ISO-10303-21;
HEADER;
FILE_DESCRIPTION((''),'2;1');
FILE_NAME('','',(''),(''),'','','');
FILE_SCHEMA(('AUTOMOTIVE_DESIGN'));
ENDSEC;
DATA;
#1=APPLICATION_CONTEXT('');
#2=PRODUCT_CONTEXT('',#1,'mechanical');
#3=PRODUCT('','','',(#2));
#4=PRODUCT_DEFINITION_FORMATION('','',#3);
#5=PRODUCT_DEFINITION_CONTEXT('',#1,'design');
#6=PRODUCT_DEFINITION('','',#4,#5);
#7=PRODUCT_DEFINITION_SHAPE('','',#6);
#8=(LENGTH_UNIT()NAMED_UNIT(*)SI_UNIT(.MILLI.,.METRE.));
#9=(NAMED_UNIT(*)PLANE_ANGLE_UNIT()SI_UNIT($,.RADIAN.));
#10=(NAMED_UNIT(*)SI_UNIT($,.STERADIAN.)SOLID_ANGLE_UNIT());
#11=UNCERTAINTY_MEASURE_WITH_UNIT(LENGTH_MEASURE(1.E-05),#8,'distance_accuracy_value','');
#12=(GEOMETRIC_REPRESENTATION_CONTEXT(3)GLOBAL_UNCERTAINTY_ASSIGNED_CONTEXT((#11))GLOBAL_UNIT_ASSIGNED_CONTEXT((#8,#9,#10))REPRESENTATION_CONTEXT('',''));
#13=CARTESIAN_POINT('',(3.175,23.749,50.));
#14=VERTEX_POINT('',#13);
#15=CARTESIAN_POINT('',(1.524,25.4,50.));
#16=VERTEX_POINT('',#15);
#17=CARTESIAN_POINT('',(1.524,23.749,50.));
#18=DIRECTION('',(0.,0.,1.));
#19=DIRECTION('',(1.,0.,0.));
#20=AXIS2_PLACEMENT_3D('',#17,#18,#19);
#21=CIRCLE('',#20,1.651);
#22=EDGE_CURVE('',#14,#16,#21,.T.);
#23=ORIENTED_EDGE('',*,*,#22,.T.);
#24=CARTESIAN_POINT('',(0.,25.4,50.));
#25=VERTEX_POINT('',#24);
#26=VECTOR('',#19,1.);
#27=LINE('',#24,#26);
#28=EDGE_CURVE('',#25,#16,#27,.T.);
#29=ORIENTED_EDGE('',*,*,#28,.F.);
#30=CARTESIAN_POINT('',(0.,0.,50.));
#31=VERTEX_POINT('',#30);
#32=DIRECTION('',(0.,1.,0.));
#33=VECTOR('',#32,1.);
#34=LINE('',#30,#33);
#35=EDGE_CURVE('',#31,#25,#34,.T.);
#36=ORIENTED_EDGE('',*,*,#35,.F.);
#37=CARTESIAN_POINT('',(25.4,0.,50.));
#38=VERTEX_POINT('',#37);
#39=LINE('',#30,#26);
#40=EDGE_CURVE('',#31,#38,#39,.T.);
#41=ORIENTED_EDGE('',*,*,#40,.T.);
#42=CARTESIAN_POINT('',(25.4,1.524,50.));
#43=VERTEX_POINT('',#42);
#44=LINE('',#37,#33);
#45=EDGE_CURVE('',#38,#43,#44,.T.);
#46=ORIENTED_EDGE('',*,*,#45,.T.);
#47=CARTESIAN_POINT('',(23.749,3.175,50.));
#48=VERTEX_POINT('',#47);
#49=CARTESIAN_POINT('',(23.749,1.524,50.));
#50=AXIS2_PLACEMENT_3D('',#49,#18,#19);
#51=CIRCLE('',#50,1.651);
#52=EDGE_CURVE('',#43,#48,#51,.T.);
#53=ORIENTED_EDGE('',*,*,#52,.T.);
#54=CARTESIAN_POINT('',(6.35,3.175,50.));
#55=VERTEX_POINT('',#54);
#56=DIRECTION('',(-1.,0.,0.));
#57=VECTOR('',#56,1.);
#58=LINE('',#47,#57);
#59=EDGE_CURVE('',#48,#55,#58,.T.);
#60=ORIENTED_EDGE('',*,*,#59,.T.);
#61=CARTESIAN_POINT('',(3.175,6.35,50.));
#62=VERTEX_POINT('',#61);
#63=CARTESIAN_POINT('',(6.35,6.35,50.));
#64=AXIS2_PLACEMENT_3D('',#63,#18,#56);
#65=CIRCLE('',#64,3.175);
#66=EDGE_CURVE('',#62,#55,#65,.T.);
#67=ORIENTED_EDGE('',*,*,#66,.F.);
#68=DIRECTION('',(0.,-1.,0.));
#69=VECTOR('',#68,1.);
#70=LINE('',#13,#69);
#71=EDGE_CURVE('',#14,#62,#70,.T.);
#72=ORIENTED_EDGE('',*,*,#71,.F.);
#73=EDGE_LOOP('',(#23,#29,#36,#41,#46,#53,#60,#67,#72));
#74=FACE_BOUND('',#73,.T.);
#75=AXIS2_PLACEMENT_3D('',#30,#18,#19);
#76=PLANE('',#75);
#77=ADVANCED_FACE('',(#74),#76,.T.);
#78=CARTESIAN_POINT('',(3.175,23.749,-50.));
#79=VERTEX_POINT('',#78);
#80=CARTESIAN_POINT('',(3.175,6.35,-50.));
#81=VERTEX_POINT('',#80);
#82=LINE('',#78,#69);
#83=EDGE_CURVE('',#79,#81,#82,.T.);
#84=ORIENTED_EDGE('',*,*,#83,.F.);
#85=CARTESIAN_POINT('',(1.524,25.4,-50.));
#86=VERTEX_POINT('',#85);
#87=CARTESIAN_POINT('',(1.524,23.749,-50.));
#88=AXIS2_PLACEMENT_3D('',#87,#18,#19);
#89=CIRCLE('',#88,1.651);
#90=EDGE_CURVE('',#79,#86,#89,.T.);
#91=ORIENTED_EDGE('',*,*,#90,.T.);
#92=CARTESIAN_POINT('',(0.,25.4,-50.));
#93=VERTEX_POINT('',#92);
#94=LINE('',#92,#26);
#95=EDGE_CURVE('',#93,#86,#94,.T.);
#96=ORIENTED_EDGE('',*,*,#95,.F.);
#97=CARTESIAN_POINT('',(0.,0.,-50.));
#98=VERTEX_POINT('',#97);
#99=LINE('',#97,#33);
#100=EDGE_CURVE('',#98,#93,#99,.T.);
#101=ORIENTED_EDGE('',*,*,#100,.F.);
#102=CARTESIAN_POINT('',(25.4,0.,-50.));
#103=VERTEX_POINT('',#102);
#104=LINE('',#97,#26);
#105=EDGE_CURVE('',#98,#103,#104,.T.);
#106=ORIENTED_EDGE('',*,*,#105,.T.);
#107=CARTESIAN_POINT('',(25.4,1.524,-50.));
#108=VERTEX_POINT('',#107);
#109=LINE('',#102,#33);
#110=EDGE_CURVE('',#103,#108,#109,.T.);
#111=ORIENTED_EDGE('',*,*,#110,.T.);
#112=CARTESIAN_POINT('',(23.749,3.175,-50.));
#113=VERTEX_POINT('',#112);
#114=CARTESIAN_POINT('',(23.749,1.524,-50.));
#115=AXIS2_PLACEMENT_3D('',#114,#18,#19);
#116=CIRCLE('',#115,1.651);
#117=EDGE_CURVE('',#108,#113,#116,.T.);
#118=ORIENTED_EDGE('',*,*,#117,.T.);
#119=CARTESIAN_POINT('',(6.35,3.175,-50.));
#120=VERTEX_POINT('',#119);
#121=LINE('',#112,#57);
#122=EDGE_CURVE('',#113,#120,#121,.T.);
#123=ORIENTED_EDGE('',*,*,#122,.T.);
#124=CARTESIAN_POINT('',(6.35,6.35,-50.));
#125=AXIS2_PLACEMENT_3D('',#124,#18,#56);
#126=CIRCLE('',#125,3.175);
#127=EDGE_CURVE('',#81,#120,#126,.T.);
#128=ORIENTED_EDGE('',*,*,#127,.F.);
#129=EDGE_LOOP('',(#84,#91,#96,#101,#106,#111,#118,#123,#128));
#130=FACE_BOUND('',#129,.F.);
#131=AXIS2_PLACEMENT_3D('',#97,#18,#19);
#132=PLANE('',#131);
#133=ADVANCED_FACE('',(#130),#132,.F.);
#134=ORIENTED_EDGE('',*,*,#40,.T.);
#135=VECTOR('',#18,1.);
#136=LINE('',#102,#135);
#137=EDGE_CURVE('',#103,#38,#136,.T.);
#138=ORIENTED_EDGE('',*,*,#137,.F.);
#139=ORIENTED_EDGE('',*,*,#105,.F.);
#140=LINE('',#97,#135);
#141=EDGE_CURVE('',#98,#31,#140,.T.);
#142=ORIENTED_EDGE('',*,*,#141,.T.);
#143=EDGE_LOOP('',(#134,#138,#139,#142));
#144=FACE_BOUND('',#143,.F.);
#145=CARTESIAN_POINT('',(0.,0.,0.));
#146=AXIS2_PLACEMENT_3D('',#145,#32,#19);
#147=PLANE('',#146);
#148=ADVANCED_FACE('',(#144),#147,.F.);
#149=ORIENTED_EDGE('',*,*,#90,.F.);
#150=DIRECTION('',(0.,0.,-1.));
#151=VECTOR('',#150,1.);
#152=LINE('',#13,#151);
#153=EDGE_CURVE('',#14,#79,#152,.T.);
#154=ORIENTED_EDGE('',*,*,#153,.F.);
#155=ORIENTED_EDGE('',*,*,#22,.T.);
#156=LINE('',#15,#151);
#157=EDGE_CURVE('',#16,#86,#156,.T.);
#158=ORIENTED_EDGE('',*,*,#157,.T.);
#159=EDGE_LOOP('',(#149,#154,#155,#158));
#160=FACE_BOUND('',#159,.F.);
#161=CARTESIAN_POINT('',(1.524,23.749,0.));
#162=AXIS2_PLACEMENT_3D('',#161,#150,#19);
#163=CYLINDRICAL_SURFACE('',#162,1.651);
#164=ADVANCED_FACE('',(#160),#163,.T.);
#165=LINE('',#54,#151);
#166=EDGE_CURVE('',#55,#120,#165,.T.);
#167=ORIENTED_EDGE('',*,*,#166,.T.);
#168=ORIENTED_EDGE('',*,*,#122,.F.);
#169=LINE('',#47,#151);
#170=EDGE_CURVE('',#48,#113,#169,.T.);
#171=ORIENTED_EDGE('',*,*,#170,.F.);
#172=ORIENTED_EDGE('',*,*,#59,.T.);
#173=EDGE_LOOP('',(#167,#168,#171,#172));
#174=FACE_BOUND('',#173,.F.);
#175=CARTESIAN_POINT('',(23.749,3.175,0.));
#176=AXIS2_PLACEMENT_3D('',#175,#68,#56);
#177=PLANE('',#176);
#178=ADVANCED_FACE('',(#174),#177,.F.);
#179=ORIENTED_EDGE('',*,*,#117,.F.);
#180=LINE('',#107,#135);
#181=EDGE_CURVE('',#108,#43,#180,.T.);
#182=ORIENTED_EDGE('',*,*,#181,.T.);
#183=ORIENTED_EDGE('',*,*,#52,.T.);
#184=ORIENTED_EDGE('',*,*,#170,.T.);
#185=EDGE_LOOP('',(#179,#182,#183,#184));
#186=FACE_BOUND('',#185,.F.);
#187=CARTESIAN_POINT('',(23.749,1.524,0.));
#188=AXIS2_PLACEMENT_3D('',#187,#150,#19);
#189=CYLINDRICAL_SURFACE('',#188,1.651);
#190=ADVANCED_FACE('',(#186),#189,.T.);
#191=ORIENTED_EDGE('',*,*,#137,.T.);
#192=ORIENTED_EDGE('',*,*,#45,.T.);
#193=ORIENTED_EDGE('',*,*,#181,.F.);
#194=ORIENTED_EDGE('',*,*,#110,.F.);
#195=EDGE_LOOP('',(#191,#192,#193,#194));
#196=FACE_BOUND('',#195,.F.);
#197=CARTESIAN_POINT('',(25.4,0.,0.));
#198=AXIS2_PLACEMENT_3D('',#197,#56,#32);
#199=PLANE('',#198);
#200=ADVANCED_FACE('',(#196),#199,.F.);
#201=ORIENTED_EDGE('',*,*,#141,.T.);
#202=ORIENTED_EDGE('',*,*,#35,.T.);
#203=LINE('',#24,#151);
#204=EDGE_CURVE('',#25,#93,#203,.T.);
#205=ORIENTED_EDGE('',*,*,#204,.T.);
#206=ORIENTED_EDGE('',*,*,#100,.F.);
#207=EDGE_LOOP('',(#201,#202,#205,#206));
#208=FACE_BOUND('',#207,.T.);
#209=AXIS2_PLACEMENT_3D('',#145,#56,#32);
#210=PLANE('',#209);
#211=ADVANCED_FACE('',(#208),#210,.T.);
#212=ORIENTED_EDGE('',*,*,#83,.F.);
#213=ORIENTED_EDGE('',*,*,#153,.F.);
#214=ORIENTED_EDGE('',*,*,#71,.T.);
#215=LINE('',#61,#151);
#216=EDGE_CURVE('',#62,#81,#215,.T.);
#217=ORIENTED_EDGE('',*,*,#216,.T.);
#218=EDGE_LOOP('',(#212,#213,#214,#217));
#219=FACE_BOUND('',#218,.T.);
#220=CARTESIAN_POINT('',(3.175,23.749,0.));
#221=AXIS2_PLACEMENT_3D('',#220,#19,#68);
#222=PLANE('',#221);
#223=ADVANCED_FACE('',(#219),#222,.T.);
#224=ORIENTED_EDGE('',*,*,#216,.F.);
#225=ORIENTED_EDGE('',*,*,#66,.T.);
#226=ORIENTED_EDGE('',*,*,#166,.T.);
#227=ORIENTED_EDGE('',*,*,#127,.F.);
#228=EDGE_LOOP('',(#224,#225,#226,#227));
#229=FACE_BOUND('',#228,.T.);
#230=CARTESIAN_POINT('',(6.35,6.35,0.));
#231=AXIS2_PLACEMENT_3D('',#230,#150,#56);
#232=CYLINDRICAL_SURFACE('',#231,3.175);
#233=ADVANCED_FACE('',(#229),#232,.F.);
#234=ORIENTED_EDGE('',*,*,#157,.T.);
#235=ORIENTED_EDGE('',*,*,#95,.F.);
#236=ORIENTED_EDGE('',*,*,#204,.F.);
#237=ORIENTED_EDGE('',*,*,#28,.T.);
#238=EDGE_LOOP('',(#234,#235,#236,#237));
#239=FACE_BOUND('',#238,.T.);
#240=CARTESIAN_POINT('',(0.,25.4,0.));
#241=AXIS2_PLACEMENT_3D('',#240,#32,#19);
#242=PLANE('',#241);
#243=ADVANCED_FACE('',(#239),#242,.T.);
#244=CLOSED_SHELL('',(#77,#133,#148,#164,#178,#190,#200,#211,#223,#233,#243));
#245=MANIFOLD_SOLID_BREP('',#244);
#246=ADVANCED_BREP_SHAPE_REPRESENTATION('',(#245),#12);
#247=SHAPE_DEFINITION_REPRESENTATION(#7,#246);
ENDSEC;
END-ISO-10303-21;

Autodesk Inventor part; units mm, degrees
ref_plane "YZ Plane" through (0, 0, 0) normal (1, 0, 0) x (0, 1, 0)
ref_plane "XZ Plane" through (0, 0, 0) normal (0, 1, 0) x (-1, 0, 0)
ref_plane "XY Plane" through (0, 0, 0) normal (0, 0, 1) x (1, 0, 0)
sketch "Sketch1" plane through (0, 0, 0) normal (0, 0, 1) x (1, 0, 0)
  line L0 (0, 0) -> (0, 25.4)
  line L1 (0, 25.4) -> (1.524, 25.4)
  line L2 (3.175, 23.749) -> (3.175, 6.35)
  line L3 (0, 0) -> (25.4, 0)
  line L4 (25.4, 0) -> (25.4, 1.524)
  line L5 (23.749, 3.175) -> (6.35, 3.175)
  arc A0 (3.175, 6.35) -> (6.35, 3.175) centre (6.35, 6.35) ccw
  arc A1 (3.175, 23.749) -> (1.524, 25.4) centre (1.524, 23.749) ccw
  arc A2 (25.4, 1.524) -> (23.749, 3.175) centre (23.749, 1.524) ccw
  dimension "thickness" = 3.175
  dimension "d3" = 3.175
  dimension "LegSize" = 25.4
  dimension "d5" = 25.4
  dimension "radius" = 3.175
  dimension "d7" = 1.651
  dimension "d8" = 1.651
extrude "1\" X 1\" X 1/8\"" add sketch "Sketch1" along normal mid plane 100
equation "\"d3\" = thickness"
equation "\"d5\" = LegSize"
properties part number "ANGLE IRON, 1 X 1 X 0.125 THK" material "Angle Iron"
